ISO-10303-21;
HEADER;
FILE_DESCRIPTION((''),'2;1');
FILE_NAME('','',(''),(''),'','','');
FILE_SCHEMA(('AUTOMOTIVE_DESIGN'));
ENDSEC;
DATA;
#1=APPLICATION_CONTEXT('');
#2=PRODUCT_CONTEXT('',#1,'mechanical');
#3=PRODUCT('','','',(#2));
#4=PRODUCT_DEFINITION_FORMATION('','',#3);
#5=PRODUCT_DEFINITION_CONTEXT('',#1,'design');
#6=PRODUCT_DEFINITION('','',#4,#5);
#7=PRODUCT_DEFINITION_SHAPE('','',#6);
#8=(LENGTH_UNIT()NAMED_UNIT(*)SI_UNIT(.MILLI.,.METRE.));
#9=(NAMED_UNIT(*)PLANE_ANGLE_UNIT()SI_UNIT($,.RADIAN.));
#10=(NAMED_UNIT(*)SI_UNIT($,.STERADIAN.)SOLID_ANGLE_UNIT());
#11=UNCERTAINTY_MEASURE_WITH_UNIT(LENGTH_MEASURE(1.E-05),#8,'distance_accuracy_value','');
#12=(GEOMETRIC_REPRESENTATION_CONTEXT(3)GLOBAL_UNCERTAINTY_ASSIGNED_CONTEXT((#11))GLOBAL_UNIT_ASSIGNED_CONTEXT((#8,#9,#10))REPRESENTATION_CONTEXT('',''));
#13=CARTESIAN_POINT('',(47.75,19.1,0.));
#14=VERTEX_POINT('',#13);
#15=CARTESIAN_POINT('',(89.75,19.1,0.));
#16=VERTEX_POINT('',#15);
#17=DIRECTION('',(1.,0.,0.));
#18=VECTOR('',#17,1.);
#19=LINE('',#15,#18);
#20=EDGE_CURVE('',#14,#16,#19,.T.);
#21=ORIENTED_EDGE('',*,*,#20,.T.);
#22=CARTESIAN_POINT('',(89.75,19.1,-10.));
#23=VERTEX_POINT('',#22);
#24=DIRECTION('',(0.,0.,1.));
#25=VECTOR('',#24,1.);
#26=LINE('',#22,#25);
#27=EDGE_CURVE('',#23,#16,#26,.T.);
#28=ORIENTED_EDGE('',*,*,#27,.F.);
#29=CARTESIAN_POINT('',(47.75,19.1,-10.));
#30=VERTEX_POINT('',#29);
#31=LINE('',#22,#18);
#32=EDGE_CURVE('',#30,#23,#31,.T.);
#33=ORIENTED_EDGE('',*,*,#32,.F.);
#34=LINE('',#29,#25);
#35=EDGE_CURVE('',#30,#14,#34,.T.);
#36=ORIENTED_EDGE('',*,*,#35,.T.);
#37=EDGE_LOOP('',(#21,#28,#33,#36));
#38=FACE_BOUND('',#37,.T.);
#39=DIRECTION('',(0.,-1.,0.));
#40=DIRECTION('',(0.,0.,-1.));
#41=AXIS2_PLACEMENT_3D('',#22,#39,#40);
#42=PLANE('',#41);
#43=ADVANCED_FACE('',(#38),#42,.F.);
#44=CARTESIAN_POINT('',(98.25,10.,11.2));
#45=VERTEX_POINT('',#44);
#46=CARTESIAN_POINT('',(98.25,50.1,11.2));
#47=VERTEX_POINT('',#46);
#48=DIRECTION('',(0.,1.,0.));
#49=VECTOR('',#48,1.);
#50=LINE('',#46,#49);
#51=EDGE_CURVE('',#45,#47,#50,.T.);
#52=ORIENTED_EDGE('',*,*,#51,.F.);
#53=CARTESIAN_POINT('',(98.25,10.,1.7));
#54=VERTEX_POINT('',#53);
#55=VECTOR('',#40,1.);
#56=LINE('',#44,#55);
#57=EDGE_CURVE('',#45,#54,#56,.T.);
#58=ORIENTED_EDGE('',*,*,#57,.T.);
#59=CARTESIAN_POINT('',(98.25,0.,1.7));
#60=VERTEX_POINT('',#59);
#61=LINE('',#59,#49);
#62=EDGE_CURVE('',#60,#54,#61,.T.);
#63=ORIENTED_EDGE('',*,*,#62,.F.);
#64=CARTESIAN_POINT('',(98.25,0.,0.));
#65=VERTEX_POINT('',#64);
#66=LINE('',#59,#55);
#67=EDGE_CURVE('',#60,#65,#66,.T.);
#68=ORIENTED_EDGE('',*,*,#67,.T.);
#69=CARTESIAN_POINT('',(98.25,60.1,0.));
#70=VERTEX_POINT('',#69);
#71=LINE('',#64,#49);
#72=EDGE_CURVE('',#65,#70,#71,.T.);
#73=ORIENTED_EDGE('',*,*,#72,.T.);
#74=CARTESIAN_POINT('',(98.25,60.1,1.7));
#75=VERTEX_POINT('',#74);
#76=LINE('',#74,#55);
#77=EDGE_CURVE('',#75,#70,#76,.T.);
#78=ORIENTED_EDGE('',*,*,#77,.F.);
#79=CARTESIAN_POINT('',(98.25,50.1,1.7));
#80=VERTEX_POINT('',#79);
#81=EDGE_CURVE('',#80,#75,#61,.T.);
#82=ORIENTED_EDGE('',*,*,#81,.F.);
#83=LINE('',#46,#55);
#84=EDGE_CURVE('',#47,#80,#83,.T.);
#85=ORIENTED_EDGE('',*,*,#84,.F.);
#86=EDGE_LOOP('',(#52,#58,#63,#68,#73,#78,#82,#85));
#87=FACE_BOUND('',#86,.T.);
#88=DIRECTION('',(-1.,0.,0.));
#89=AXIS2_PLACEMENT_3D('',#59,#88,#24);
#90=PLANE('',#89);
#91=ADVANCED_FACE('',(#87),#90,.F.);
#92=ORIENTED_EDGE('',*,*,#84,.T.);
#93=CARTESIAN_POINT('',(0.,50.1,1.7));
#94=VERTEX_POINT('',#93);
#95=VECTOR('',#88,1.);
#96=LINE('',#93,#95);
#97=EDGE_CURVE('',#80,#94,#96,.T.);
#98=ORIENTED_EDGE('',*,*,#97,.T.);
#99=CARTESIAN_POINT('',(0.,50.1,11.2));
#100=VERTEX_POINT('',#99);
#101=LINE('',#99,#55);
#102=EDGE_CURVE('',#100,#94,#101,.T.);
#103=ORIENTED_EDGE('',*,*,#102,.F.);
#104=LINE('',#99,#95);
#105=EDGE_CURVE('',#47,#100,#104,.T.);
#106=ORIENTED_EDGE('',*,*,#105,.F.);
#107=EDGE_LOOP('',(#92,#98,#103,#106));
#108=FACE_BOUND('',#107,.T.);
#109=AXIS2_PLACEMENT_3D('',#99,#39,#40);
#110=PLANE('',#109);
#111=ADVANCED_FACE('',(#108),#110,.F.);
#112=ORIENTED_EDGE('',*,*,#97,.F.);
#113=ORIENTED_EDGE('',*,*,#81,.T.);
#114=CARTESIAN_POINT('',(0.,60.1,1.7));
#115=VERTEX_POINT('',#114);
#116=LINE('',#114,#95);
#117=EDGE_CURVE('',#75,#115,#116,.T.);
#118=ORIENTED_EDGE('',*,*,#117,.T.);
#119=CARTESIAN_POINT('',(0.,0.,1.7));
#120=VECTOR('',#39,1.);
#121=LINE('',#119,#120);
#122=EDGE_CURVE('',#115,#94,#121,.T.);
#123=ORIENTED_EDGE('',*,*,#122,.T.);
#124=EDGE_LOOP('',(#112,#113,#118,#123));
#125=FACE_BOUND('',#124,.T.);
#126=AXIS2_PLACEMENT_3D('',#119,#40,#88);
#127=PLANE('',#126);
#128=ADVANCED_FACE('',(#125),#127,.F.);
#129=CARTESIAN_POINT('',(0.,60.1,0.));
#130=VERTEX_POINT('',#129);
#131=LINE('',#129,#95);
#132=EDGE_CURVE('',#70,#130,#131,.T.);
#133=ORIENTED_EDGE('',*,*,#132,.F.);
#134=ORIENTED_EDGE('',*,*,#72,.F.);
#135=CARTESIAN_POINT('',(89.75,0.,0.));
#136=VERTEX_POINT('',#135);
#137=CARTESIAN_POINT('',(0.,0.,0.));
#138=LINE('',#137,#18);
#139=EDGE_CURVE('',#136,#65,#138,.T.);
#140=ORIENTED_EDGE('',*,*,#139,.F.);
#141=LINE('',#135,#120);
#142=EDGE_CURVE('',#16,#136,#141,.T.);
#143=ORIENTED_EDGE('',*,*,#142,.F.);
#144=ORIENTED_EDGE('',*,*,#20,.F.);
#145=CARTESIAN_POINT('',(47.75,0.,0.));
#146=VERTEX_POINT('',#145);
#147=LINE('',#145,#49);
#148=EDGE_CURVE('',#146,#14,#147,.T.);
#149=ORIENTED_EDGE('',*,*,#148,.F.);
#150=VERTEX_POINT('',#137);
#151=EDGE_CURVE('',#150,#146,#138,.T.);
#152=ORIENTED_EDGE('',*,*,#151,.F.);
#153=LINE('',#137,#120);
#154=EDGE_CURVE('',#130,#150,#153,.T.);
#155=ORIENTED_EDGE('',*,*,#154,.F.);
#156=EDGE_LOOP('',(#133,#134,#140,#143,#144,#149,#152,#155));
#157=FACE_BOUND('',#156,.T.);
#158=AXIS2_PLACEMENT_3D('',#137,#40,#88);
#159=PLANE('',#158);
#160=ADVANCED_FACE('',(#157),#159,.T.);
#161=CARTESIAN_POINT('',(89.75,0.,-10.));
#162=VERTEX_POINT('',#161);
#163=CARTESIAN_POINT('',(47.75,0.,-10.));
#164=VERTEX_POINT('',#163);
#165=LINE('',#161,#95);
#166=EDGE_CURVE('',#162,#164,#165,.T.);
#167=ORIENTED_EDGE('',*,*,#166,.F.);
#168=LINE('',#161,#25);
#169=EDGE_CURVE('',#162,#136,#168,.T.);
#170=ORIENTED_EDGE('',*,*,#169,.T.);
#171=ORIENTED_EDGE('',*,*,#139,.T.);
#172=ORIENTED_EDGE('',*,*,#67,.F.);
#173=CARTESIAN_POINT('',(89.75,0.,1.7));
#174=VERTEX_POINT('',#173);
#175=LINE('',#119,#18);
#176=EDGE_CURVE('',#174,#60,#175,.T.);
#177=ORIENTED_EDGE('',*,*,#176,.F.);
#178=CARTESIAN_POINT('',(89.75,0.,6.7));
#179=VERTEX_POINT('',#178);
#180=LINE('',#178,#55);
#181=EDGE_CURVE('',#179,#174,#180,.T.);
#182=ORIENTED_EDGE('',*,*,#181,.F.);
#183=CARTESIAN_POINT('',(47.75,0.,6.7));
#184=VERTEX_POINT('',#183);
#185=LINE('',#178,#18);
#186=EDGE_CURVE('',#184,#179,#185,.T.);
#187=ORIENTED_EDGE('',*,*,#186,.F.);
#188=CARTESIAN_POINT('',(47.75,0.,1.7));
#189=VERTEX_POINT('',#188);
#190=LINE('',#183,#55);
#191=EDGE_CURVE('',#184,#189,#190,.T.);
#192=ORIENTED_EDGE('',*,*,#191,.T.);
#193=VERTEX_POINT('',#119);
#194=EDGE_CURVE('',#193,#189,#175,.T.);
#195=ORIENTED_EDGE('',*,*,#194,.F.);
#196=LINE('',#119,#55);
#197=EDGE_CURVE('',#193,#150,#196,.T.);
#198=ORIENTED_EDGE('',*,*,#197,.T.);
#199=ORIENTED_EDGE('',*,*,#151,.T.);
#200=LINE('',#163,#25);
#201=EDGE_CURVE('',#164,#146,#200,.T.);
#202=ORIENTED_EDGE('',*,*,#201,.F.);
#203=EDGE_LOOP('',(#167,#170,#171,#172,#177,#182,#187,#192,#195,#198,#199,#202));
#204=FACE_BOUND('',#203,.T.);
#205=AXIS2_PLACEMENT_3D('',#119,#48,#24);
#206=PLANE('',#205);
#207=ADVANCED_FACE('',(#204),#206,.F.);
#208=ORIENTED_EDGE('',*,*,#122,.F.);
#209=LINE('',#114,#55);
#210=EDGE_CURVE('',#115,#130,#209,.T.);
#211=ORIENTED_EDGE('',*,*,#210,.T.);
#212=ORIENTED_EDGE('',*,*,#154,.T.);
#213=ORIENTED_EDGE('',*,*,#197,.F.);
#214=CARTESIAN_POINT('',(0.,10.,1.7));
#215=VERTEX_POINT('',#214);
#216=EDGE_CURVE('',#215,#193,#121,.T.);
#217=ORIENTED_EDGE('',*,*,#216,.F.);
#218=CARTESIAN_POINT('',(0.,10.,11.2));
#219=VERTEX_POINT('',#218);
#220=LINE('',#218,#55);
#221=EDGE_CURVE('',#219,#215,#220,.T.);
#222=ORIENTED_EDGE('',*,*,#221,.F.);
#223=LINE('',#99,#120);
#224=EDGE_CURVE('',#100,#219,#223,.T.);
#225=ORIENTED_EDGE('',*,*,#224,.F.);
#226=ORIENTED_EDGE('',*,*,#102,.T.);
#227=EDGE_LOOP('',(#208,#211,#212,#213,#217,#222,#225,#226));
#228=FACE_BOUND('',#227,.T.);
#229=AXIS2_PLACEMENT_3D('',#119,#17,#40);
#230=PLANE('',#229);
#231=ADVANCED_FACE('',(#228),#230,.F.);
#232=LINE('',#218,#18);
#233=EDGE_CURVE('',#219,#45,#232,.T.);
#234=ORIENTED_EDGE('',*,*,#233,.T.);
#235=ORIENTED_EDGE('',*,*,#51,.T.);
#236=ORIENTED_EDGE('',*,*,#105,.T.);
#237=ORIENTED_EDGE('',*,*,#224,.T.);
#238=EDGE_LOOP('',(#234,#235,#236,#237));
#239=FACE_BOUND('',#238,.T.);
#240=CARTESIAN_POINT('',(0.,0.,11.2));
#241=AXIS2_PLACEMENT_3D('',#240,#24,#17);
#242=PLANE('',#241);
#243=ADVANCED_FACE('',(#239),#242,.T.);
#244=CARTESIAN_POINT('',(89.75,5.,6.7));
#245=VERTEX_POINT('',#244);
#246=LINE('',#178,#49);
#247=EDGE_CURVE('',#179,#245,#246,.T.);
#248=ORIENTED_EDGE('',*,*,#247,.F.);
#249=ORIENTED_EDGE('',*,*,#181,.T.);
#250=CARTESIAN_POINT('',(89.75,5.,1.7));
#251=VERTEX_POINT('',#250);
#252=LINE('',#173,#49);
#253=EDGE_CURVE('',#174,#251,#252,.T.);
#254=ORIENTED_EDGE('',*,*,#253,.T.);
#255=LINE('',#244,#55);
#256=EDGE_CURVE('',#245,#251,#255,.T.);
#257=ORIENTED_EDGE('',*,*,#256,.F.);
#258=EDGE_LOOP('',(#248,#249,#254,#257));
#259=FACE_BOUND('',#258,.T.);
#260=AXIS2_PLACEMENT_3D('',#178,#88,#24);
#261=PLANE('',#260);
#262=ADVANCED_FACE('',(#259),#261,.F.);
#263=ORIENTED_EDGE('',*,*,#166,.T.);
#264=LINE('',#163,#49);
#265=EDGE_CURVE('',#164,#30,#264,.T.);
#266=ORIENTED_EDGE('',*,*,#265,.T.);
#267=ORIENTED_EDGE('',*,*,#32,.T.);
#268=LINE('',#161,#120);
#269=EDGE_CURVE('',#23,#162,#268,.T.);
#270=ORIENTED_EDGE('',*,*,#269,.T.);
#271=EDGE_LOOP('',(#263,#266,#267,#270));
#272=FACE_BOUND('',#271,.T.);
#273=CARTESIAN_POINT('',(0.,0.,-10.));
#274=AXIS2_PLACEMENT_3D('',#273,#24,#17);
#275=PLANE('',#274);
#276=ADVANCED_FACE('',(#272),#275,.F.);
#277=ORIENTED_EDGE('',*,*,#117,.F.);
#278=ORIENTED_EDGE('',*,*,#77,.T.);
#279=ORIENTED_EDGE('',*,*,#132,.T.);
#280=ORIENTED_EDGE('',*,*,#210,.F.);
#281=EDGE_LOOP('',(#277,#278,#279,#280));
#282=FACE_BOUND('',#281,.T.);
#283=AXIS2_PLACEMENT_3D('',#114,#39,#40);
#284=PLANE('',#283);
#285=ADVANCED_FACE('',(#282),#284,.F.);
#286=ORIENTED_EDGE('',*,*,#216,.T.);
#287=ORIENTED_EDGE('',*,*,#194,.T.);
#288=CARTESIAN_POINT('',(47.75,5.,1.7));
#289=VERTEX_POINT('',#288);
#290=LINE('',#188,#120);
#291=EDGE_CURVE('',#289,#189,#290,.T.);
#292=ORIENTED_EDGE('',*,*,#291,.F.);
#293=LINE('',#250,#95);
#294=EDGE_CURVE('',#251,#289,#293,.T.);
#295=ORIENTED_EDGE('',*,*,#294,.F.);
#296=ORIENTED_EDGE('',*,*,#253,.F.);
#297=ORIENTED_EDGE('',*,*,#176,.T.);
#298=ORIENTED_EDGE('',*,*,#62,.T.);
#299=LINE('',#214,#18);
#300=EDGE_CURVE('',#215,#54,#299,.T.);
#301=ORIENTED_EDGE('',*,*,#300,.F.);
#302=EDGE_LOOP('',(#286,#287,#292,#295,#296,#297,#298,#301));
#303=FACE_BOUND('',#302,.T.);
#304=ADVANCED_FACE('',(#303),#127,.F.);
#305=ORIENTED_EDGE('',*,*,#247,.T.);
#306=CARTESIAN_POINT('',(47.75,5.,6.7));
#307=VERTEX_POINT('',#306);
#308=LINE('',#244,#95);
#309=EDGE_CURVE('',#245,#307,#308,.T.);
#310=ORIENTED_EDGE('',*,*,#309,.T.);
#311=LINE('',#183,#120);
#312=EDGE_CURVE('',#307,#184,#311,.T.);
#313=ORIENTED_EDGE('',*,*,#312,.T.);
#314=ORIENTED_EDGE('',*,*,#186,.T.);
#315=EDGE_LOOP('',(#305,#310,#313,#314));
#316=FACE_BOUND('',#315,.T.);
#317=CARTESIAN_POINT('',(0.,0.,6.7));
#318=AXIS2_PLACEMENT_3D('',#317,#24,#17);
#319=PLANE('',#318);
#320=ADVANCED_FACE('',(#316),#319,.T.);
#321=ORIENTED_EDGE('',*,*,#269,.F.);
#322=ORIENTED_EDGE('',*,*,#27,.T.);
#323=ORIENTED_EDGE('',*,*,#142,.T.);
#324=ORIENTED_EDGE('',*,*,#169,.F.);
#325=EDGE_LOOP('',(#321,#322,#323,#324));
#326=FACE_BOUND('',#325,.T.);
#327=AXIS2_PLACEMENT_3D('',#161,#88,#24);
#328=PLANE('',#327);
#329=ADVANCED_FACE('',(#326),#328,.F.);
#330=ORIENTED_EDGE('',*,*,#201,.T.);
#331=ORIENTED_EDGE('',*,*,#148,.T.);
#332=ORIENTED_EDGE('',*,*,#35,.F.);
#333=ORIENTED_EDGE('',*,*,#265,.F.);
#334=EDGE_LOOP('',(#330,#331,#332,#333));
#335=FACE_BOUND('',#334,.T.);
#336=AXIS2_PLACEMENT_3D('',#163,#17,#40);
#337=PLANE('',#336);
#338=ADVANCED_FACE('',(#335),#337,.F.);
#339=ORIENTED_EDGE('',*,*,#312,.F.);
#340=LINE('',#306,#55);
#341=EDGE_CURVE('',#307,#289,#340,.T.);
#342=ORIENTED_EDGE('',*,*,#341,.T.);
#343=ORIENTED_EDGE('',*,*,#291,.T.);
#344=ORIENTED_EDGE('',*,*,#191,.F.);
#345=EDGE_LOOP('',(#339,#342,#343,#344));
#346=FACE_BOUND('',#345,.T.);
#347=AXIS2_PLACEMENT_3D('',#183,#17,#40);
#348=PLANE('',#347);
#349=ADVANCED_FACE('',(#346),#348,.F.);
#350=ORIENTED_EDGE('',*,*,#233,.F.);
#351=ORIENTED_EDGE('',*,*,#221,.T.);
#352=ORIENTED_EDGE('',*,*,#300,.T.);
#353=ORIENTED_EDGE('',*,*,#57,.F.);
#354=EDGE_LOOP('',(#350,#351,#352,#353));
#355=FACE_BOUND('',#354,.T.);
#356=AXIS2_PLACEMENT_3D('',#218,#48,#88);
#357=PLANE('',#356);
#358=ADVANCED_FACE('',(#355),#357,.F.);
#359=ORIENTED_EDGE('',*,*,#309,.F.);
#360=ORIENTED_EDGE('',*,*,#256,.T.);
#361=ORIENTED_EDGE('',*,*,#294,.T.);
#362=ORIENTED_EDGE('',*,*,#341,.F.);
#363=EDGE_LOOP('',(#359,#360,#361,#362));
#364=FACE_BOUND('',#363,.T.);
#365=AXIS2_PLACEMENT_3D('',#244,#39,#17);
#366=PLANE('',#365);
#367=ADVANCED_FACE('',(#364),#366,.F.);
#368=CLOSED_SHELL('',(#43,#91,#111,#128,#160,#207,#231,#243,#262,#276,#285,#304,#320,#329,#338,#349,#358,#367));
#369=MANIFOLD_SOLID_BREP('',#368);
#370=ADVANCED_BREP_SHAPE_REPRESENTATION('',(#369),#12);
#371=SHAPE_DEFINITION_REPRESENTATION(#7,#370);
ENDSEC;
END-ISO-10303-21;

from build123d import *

# Parameters (mm, degrees)
SKETCH_1_W      = 98.25
SKETCH_1_H      = 60.1
EXTRUDE_1_DEPTH = 1.7
SKETCH_2_W      = 98.25
SKETCH_2_H      = 40.1
EXTRUDE_2_DEPTH = 9.5
SKETCH_3_W      = 42
SKETCH_3_H      = 5
EXTRUDE_3_DEPTH = 5
SKETCH_4_W      = 42
SKETCH_4_H      = 19.1
EXTRUDE_4_DEPTH = 10


with BuildPart() as part:
    # Эскиз1 → Бобышка-Вытянуть1 (new body)
    with BuildSketch(Plane.XY):
        with Locations((49.125, 30.05)):
            Rectangle(SKETCH_1_W, SKETCH_1_H)
    extrude(amount=EXTRUDE_1_DEPTH)

    # Эскиз2 → Бобышка-Вытянуть2 (add)
    with BuildSketch(Plane.XY.offset(1.7)):
        with Locations((49.125, 30.05)):
            Rectangle(SKETCH_2_W, SKETCH_2_H)
    extrude(amount=EXTRUDE_2_DEPTH)

    # Эскиз3 → Бобышка-Вытянуть3 (add)
    with BuildSketch(Plane.XY.offset(1.7)):
        with Locations((68.75, 2.5)):
            Rectangle(SKETCH_3_W, SKETCH_3_H)
    extrude(amount=EXTRUDE_3_DEPTH)

    # Эскиз4 → Бобышка-Вытянуть4 (add)
    with BuildSketch(Plane(origin=(0, 0, 0), x_dir=(-1, 0, 0), z_dir=(0, 0, -1))):
        with Locations((-68.75, 9.55)):
            Rectangle(SKETCH_4_W, SKETCH_4_H)
    extrude(amount=EXTRUDE_4_DEPTH)


solid = part.part
